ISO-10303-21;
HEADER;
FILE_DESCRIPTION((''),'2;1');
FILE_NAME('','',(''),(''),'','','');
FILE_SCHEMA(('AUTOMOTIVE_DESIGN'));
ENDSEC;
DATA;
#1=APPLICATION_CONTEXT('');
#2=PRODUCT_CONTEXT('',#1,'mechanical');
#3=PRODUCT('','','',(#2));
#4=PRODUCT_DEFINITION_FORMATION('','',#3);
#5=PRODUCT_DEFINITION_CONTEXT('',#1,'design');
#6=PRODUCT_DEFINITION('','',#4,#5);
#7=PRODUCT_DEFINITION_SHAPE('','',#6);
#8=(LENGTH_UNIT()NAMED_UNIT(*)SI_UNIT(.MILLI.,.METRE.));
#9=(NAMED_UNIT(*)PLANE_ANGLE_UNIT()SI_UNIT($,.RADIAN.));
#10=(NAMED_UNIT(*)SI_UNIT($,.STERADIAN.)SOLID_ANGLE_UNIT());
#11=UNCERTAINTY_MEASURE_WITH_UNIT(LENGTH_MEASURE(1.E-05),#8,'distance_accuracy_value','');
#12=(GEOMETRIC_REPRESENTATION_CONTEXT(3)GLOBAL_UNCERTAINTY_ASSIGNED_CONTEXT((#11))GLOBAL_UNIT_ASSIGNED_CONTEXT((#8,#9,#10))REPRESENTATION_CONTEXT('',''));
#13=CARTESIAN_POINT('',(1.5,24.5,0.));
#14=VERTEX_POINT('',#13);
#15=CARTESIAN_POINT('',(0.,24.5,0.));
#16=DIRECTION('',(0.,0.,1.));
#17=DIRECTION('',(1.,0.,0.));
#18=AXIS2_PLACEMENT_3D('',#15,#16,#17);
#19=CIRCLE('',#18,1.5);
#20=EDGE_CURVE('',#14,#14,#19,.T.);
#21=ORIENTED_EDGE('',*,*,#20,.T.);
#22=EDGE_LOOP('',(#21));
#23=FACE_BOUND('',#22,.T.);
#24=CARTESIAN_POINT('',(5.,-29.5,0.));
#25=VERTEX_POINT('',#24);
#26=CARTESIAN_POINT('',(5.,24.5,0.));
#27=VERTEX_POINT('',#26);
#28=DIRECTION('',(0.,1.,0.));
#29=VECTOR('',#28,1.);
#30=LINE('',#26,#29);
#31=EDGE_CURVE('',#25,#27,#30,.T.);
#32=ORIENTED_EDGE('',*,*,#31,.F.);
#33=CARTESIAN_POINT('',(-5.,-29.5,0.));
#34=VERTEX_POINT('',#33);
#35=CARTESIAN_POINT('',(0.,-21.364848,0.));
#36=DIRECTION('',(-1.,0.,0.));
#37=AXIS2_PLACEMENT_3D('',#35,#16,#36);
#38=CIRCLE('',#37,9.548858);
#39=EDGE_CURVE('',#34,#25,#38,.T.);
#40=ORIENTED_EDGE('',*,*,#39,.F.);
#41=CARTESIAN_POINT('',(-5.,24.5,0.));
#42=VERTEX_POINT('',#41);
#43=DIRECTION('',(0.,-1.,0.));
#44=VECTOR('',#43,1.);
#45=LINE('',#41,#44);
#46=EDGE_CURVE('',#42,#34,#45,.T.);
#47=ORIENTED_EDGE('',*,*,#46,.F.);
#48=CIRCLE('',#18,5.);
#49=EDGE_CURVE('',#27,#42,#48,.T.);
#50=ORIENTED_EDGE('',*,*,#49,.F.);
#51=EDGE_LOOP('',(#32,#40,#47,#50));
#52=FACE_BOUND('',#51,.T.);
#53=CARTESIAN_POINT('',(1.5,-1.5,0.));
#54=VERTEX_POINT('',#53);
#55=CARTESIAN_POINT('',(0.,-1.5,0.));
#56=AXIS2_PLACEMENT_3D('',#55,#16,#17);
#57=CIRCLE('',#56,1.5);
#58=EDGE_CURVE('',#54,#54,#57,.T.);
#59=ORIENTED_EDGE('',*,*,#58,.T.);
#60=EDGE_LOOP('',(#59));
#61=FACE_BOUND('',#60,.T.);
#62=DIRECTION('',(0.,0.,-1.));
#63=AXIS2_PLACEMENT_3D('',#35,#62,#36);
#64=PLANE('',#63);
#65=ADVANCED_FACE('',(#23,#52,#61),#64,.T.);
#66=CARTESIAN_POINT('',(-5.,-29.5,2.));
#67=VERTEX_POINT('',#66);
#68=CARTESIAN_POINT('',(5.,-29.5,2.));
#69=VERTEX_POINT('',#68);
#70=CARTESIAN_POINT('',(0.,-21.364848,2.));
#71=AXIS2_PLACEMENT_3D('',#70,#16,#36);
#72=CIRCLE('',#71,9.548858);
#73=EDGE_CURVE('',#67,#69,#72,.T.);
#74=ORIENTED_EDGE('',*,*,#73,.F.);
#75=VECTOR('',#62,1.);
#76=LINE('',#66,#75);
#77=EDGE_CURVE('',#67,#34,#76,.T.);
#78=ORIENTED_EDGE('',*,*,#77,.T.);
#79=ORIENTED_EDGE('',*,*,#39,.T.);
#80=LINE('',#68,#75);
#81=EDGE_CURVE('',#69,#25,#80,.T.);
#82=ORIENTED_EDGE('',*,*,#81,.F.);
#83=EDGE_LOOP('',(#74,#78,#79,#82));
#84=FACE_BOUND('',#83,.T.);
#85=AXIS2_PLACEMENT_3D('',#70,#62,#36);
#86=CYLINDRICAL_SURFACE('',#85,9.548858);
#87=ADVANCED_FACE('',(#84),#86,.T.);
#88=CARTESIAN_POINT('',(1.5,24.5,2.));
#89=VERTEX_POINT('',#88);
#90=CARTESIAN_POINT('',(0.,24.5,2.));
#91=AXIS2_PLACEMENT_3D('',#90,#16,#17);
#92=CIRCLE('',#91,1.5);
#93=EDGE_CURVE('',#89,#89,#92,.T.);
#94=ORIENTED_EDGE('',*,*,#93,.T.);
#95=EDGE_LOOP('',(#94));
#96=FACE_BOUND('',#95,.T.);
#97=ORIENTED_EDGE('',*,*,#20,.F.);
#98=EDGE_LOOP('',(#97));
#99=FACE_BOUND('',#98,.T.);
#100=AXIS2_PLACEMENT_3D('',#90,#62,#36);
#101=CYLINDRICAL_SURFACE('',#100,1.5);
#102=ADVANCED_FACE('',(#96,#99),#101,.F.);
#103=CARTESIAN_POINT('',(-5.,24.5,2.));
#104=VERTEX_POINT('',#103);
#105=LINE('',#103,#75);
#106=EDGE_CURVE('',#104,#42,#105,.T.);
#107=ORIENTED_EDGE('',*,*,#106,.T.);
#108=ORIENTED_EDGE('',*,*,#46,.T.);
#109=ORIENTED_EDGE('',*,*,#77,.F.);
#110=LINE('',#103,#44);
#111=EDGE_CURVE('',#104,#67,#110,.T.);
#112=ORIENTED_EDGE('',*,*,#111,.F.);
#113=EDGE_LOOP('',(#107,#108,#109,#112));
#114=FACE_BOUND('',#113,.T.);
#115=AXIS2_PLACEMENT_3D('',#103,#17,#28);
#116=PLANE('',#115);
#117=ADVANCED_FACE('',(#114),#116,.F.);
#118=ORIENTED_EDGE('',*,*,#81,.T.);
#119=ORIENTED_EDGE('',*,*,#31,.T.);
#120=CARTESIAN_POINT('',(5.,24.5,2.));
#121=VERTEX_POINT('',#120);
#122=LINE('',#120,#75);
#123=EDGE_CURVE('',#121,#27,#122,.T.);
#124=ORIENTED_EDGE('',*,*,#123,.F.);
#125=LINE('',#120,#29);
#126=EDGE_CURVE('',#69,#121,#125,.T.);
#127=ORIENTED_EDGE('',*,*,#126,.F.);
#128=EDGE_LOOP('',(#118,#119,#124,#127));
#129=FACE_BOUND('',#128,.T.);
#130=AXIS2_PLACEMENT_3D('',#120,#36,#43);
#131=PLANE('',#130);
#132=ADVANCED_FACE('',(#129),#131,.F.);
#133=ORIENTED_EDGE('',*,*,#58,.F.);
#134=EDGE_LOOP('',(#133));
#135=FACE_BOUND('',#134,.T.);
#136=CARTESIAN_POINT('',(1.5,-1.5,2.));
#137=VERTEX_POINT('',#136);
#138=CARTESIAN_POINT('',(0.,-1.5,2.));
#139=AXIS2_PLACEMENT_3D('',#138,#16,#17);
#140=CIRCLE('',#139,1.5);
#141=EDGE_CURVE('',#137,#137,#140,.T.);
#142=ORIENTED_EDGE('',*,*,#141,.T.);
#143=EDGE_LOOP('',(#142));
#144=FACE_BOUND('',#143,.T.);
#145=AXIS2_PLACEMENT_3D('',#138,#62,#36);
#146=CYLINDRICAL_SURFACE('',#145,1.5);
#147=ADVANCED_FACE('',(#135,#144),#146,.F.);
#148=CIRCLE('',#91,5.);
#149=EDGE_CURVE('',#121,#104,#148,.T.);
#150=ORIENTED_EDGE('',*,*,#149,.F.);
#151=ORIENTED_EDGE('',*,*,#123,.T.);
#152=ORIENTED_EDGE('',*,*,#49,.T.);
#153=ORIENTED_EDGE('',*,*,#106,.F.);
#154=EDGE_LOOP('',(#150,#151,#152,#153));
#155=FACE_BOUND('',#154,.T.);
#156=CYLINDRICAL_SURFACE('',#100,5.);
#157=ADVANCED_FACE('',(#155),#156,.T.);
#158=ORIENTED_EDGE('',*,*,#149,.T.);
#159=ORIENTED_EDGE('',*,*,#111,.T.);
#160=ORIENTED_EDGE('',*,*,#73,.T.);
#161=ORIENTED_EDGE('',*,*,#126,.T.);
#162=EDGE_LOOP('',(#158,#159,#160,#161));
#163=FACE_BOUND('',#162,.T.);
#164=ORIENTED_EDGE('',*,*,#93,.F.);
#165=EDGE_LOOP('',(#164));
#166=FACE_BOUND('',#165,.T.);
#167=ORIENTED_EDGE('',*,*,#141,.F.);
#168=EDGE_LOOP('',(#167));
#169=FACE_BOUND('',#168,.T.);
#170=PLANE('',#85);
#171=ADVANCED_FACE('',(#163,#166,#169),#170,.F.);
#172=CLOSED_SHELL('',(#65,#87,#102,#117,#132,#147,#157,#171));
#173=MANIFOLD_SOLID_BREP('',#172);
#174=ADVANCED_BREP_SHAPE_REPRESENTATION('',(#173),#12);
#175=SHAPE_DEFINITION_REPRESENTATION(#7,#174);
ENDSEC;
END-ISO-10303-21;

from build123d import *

# Parameters (mm, degrees)
SKETCH1_R           = 1.5
BOSS_EXTRUDE1_DEPTH = 2


with BuildPart() as part:
    # Sketch1 → Boss-Extrude1 (new body)
    with BuildSketch(Plane.XY):
        with BuildLine():
            Line((-5, 24.5), (-5, -29.5))
            ThreePointArc((-5, -29.5), (0, -30.913706536), (5, -29.5))
            Line((5, -29.5), (5, 24.5))
            ThreePointArc((5, 24.5), (0, 29.5), (-5, 24.5))
        make_face()
        with Locations((0, 24.5)):
            Circle(SKETCH1_R, mode=Mode.SUBTRACT)
        with Locations((0, -1.5)):
            Circle(SKETCH1_R, mode=Mode.SUBTRACT)
    extrude(amount=BOSS_EXTRUDE1_DEPTH)


solid = part.part
